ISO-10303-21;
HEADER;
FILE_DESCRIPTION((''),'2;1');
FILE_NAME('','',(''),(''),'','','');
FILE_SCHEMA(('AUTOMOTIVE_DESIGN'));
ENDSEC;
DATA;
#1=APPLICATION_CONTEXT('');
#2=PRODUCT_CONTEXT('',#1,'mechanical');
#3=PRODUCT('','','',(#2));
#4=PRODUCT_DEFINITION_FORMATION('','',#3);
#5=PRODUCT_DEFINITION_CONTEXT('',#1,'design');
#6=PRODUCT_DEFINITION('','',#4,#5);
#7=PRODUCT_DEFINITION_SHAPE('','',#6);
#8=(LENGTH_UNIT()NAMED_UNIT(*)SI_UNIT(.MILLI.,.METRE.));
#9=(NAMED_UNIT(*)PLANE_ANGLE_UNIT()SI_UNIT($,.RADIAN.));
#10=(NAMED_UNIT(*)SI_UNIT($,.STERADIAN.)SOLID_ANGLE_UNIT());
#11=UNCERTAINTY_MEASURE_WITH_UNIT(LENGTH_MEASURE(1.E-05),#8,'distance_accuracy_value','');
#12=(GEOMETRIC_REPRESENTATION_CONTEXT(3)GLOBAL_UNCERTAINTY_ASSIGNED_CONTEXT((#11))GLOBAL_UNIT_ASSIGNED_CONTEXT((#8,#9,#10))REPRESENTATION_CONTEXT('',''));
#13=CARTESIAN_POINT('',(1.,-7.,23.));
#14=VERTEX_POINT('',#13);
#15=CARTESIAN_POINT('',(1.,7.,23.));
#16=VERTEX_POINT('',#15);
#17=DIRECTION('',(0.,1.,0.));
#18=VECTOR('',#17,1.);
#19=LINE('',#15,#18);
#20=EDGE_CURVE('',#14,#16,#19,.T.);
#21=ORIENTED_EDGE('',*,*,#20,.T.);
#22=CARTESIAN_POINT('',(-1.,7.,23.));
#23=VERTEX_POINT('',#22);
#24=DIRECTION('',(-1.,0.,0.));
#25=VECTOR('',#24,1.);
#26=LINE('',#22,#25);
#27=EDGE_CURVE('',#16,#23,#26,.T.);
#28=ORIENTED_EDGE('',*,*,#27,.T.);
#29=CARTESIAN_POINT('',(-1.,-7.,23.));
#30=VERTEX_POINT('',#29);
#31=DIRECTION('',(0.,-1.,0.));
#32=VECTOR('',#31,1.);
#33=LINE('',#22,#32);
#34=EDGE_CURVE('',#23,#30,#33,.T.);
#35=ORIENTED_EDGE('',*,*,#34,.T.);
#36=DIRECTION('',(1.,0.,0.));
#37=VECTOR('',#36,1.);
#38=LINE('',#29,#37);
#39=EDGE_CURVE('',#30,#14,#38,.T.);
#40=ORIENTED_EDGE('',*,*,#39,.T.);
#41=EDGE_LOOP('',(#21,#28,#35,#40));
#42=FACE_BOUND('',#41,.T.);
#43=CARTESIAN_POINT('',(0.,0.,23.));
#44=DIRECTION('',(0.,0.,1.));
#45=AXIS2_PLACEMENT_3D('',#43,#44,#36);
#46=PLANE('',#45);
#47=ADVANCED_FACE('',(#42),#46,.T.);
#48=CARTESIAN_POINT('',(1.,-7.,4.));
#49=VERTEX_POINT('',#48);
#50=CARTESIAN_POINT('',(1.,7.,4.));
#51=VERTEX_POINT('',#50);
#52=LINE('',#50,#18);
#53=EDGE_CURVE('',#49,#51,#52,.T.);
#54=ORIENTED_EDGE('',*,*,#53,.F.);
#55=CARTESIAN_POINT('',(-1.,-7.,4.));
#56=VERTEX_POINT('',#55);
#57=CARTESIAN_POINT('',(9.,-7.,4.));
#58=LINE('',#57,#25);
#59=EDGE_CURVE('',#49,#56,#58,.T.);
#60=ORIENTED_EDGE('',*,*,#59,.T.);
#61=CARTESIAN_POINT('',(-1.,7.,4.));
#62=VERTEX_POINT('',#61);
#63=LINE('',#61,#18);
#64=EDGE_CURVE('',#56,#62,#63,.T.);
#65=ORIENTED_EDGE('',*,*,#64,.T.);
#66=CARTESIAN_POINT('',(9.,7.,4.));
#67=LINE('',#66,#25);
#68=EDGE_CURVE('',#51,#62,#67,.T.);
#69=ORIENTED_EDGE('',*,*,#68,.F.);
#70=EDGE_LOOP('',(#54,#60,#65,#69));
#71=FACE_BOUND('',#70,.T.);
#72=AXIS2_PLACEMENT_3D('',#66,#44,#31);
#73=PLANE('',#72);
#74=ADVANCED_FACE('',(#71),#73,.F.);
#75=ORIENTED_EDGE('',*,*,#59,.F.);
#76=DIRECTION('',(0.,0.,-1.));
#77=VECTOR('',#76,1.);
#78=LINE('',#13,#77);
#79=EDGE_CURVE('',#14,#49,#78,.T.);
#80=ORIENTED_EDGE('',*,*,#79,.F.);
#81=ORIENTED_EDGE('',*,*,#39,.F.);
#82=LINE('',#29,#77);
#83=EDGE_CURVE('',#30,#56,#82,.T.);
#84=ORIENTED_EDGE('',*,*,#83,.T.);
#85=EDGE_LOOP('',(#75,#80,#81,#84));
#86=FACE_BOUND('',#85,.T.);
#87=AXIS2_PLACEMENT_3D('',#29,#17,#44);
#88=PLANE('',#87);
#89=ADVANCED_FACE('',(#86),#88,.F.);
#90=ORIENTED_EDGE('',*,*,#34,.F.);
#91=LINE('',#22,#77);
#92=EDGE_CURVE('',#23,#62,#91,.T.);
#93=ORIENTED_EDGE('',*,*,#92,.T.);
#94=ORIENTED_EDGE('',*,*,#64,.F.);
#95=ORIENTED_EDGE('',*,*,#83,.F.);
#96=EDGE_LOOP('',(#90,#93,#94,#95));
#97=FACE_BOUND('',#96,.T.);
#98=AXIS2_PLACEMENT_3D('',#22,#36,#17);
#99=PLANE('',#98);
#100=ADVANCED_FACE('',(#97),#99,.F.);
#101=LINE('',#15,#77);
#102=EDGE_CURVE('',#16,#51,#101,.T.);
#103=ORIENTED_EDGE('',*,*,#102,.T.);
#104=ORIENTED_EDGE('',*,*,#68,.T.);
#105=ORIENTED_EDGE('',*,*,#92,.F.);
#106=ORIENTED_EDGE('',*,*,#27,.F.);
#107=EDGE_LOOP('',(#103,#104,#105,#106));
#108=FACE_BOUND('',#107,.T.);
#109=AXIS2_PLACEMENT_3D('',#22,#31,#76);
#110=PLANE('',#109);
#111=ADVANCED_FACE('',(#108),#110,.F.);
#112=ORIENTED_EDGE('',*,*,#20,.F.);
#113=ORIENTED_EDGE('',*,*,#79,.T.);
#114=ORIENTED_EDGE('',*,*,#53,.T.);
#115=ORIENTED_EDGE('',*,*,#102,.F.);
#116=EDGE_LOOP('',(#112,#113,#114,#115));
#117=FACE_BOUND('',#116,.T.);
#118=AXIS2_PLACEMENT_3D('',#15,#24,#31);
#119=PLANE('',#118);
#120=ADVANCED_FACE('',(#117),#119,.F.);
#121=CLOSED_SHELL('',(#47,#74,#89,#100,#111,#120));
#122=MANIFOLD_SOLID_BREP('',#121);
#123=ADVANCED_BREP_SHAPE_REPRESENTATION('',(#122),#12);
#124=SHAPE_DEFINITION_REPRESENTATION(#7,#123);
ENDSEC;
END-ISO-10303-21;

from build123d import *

# Parameters (mm, degrees)
SKETCH1_W           = 2
SKETCH1_H           = 14
BOSS_EXTRUDE1_DEPTH = 23
SKETCH2_W           = 2
SKETCH2_H           = 14
CUT_EXTRUDE1_DEPTH  = 10
CUT_EXTRUDE2_DEPTH  = 10


with BuildPart() as part:
    # Sketch1 → Boss-Extrude1 (new body)
    with BuildSketch(Plane.XY):
        Rectangle(SKETCH1_W, SKETCH1_H)
    extrude(amount=BOSS_EXTRUDE1_DEPTH)

    # Sketch2 → Cut-Extrude1 (cut)
    with BuildSketch(Plane.ZY.offset(1)):
        with Locations((1, 0)):
            Rectangle(SKETCH2_W, SKETCH2_H)
    extrude(amount=-CUT_EXTRUDE1_DEPTH, mode=Mode.SUBTRACT)

    # Sketch3 → Cut-Extrude2 (cut)
    with BuildSketch(Plane.ZY.offset(1)):
        Polygon((4, 7), (4, -7), (2, -7), (2, 7), (3.440196678, 7), align=None)
    extrude(amount=-CUT_EXTRUDE2_DEPTH, mode=Mode.SUBTRACT)


solid = part.part
